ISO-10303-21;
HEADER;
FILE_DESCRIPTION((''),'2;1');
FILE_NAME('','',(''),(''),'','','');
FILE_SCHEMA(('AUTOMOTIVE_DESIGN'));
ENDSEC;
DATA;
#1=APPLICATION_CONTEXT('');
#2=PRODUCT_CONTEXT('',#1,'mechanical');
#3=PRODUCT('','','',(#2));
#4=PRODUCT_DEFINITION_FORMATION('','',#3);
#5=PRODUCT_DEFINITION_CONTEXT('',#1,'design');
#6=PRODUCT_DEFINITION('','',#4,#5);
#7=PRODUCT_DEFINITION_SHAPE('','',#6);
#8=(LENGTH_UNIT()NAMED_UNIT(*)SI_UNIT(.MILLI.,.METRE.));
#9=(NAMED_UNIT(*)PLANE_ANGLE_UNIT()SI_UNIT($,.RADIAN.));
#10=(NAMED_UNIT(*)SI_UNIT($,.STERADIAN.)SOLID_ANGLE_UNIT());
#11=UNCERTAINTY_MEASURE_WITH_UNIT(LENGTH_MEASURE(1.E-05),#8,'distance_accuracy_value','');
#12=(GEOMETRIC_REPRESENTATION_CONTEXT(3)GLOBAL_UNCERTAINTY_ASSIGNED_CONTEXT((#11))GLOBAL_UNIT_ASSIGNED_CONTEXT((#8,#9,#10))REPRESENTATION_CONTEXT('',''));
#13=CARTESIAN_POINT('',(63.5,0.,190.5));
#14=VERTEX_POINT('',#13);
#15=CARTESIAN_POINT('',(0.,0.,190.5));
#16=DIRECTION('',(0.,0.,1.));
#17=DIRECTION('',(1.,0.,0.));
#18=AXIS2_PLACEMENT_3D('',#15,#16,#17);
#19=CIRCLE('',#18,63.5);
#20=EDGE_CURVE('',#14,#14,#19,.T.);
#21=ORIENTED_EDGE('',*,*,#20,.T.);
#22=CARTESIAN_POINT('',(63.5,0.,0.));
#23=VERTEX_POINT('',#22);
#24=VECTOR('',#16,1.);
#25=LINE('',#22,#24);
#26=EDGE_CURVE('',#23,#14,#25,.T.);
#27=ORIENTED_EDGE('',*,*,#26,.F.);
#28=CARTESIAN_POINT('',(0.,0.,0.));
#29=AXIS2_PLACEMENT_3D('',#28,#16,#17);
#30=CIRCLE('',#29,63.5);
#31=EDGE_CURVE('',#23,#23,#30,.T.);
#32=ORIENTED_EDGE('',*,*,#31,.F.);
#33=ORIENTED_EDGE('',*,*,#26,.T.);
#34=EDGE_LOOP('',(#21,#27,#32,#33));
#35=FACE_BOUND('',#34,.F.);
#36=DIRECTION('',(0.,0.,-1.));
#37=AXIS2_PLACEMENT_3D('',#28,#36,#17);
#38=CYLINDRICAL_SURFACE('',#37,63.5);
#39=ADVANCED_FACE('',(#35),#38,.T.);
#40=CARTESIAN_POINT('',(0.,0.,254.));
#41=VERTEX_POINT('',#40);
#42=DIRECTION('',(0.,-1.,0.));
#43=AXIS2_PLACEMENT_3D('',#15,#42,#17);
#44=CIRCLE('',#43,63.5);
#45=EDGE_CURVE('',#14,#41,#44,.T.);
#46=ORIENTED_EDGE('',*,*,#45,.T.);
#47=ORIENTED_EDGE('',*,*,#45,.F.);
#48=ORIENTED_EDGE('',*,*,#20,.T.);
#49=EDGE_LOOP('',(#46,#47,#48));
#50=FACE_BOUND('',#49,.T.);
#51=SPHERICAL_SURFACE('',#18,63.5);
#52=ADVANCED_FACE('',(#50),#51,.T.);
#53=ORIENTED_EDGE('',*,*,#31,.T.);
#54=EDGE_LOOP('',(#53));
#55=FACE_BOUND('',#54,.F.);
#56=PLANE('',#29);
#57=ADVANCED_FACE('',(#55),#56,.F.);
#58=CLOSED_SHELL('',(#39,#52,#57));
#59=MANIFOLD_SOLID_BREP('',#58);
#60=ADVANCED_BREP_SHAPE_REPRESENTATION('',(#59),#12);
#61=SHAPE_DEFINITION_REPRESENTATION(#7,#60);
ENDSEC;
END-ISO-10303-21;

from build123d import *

# Parameters (mm, degrees)
F0_R     = 63.5
F0_R_2   = 57.15
F0_R_3   = 47.625
F1_DEPTH = 254
F2_R     = 63.5


with BuildPart() as f1:
    # F0 (on Top) → F1 (new body)
    with BuildSketch(Plane.XY):
        Circle(F0_R)
        Circle(F0_R_2, mode=Mode.SUBTRACT)
        Circle(F0_R_2)
        Circle(F0_R_3, mode=Mode.SUBTRACT)
        Circle(F0_R_3)
    extrude(amount=F1_DEPTH)

    # F2
    f2_edges = [f1.edges().sort_by_distance(p)[0] for p in [
        (-63.5, 0, 254),
    ]]
    fillet(f2_edges, radius=F2_R)


solid = f1.part
